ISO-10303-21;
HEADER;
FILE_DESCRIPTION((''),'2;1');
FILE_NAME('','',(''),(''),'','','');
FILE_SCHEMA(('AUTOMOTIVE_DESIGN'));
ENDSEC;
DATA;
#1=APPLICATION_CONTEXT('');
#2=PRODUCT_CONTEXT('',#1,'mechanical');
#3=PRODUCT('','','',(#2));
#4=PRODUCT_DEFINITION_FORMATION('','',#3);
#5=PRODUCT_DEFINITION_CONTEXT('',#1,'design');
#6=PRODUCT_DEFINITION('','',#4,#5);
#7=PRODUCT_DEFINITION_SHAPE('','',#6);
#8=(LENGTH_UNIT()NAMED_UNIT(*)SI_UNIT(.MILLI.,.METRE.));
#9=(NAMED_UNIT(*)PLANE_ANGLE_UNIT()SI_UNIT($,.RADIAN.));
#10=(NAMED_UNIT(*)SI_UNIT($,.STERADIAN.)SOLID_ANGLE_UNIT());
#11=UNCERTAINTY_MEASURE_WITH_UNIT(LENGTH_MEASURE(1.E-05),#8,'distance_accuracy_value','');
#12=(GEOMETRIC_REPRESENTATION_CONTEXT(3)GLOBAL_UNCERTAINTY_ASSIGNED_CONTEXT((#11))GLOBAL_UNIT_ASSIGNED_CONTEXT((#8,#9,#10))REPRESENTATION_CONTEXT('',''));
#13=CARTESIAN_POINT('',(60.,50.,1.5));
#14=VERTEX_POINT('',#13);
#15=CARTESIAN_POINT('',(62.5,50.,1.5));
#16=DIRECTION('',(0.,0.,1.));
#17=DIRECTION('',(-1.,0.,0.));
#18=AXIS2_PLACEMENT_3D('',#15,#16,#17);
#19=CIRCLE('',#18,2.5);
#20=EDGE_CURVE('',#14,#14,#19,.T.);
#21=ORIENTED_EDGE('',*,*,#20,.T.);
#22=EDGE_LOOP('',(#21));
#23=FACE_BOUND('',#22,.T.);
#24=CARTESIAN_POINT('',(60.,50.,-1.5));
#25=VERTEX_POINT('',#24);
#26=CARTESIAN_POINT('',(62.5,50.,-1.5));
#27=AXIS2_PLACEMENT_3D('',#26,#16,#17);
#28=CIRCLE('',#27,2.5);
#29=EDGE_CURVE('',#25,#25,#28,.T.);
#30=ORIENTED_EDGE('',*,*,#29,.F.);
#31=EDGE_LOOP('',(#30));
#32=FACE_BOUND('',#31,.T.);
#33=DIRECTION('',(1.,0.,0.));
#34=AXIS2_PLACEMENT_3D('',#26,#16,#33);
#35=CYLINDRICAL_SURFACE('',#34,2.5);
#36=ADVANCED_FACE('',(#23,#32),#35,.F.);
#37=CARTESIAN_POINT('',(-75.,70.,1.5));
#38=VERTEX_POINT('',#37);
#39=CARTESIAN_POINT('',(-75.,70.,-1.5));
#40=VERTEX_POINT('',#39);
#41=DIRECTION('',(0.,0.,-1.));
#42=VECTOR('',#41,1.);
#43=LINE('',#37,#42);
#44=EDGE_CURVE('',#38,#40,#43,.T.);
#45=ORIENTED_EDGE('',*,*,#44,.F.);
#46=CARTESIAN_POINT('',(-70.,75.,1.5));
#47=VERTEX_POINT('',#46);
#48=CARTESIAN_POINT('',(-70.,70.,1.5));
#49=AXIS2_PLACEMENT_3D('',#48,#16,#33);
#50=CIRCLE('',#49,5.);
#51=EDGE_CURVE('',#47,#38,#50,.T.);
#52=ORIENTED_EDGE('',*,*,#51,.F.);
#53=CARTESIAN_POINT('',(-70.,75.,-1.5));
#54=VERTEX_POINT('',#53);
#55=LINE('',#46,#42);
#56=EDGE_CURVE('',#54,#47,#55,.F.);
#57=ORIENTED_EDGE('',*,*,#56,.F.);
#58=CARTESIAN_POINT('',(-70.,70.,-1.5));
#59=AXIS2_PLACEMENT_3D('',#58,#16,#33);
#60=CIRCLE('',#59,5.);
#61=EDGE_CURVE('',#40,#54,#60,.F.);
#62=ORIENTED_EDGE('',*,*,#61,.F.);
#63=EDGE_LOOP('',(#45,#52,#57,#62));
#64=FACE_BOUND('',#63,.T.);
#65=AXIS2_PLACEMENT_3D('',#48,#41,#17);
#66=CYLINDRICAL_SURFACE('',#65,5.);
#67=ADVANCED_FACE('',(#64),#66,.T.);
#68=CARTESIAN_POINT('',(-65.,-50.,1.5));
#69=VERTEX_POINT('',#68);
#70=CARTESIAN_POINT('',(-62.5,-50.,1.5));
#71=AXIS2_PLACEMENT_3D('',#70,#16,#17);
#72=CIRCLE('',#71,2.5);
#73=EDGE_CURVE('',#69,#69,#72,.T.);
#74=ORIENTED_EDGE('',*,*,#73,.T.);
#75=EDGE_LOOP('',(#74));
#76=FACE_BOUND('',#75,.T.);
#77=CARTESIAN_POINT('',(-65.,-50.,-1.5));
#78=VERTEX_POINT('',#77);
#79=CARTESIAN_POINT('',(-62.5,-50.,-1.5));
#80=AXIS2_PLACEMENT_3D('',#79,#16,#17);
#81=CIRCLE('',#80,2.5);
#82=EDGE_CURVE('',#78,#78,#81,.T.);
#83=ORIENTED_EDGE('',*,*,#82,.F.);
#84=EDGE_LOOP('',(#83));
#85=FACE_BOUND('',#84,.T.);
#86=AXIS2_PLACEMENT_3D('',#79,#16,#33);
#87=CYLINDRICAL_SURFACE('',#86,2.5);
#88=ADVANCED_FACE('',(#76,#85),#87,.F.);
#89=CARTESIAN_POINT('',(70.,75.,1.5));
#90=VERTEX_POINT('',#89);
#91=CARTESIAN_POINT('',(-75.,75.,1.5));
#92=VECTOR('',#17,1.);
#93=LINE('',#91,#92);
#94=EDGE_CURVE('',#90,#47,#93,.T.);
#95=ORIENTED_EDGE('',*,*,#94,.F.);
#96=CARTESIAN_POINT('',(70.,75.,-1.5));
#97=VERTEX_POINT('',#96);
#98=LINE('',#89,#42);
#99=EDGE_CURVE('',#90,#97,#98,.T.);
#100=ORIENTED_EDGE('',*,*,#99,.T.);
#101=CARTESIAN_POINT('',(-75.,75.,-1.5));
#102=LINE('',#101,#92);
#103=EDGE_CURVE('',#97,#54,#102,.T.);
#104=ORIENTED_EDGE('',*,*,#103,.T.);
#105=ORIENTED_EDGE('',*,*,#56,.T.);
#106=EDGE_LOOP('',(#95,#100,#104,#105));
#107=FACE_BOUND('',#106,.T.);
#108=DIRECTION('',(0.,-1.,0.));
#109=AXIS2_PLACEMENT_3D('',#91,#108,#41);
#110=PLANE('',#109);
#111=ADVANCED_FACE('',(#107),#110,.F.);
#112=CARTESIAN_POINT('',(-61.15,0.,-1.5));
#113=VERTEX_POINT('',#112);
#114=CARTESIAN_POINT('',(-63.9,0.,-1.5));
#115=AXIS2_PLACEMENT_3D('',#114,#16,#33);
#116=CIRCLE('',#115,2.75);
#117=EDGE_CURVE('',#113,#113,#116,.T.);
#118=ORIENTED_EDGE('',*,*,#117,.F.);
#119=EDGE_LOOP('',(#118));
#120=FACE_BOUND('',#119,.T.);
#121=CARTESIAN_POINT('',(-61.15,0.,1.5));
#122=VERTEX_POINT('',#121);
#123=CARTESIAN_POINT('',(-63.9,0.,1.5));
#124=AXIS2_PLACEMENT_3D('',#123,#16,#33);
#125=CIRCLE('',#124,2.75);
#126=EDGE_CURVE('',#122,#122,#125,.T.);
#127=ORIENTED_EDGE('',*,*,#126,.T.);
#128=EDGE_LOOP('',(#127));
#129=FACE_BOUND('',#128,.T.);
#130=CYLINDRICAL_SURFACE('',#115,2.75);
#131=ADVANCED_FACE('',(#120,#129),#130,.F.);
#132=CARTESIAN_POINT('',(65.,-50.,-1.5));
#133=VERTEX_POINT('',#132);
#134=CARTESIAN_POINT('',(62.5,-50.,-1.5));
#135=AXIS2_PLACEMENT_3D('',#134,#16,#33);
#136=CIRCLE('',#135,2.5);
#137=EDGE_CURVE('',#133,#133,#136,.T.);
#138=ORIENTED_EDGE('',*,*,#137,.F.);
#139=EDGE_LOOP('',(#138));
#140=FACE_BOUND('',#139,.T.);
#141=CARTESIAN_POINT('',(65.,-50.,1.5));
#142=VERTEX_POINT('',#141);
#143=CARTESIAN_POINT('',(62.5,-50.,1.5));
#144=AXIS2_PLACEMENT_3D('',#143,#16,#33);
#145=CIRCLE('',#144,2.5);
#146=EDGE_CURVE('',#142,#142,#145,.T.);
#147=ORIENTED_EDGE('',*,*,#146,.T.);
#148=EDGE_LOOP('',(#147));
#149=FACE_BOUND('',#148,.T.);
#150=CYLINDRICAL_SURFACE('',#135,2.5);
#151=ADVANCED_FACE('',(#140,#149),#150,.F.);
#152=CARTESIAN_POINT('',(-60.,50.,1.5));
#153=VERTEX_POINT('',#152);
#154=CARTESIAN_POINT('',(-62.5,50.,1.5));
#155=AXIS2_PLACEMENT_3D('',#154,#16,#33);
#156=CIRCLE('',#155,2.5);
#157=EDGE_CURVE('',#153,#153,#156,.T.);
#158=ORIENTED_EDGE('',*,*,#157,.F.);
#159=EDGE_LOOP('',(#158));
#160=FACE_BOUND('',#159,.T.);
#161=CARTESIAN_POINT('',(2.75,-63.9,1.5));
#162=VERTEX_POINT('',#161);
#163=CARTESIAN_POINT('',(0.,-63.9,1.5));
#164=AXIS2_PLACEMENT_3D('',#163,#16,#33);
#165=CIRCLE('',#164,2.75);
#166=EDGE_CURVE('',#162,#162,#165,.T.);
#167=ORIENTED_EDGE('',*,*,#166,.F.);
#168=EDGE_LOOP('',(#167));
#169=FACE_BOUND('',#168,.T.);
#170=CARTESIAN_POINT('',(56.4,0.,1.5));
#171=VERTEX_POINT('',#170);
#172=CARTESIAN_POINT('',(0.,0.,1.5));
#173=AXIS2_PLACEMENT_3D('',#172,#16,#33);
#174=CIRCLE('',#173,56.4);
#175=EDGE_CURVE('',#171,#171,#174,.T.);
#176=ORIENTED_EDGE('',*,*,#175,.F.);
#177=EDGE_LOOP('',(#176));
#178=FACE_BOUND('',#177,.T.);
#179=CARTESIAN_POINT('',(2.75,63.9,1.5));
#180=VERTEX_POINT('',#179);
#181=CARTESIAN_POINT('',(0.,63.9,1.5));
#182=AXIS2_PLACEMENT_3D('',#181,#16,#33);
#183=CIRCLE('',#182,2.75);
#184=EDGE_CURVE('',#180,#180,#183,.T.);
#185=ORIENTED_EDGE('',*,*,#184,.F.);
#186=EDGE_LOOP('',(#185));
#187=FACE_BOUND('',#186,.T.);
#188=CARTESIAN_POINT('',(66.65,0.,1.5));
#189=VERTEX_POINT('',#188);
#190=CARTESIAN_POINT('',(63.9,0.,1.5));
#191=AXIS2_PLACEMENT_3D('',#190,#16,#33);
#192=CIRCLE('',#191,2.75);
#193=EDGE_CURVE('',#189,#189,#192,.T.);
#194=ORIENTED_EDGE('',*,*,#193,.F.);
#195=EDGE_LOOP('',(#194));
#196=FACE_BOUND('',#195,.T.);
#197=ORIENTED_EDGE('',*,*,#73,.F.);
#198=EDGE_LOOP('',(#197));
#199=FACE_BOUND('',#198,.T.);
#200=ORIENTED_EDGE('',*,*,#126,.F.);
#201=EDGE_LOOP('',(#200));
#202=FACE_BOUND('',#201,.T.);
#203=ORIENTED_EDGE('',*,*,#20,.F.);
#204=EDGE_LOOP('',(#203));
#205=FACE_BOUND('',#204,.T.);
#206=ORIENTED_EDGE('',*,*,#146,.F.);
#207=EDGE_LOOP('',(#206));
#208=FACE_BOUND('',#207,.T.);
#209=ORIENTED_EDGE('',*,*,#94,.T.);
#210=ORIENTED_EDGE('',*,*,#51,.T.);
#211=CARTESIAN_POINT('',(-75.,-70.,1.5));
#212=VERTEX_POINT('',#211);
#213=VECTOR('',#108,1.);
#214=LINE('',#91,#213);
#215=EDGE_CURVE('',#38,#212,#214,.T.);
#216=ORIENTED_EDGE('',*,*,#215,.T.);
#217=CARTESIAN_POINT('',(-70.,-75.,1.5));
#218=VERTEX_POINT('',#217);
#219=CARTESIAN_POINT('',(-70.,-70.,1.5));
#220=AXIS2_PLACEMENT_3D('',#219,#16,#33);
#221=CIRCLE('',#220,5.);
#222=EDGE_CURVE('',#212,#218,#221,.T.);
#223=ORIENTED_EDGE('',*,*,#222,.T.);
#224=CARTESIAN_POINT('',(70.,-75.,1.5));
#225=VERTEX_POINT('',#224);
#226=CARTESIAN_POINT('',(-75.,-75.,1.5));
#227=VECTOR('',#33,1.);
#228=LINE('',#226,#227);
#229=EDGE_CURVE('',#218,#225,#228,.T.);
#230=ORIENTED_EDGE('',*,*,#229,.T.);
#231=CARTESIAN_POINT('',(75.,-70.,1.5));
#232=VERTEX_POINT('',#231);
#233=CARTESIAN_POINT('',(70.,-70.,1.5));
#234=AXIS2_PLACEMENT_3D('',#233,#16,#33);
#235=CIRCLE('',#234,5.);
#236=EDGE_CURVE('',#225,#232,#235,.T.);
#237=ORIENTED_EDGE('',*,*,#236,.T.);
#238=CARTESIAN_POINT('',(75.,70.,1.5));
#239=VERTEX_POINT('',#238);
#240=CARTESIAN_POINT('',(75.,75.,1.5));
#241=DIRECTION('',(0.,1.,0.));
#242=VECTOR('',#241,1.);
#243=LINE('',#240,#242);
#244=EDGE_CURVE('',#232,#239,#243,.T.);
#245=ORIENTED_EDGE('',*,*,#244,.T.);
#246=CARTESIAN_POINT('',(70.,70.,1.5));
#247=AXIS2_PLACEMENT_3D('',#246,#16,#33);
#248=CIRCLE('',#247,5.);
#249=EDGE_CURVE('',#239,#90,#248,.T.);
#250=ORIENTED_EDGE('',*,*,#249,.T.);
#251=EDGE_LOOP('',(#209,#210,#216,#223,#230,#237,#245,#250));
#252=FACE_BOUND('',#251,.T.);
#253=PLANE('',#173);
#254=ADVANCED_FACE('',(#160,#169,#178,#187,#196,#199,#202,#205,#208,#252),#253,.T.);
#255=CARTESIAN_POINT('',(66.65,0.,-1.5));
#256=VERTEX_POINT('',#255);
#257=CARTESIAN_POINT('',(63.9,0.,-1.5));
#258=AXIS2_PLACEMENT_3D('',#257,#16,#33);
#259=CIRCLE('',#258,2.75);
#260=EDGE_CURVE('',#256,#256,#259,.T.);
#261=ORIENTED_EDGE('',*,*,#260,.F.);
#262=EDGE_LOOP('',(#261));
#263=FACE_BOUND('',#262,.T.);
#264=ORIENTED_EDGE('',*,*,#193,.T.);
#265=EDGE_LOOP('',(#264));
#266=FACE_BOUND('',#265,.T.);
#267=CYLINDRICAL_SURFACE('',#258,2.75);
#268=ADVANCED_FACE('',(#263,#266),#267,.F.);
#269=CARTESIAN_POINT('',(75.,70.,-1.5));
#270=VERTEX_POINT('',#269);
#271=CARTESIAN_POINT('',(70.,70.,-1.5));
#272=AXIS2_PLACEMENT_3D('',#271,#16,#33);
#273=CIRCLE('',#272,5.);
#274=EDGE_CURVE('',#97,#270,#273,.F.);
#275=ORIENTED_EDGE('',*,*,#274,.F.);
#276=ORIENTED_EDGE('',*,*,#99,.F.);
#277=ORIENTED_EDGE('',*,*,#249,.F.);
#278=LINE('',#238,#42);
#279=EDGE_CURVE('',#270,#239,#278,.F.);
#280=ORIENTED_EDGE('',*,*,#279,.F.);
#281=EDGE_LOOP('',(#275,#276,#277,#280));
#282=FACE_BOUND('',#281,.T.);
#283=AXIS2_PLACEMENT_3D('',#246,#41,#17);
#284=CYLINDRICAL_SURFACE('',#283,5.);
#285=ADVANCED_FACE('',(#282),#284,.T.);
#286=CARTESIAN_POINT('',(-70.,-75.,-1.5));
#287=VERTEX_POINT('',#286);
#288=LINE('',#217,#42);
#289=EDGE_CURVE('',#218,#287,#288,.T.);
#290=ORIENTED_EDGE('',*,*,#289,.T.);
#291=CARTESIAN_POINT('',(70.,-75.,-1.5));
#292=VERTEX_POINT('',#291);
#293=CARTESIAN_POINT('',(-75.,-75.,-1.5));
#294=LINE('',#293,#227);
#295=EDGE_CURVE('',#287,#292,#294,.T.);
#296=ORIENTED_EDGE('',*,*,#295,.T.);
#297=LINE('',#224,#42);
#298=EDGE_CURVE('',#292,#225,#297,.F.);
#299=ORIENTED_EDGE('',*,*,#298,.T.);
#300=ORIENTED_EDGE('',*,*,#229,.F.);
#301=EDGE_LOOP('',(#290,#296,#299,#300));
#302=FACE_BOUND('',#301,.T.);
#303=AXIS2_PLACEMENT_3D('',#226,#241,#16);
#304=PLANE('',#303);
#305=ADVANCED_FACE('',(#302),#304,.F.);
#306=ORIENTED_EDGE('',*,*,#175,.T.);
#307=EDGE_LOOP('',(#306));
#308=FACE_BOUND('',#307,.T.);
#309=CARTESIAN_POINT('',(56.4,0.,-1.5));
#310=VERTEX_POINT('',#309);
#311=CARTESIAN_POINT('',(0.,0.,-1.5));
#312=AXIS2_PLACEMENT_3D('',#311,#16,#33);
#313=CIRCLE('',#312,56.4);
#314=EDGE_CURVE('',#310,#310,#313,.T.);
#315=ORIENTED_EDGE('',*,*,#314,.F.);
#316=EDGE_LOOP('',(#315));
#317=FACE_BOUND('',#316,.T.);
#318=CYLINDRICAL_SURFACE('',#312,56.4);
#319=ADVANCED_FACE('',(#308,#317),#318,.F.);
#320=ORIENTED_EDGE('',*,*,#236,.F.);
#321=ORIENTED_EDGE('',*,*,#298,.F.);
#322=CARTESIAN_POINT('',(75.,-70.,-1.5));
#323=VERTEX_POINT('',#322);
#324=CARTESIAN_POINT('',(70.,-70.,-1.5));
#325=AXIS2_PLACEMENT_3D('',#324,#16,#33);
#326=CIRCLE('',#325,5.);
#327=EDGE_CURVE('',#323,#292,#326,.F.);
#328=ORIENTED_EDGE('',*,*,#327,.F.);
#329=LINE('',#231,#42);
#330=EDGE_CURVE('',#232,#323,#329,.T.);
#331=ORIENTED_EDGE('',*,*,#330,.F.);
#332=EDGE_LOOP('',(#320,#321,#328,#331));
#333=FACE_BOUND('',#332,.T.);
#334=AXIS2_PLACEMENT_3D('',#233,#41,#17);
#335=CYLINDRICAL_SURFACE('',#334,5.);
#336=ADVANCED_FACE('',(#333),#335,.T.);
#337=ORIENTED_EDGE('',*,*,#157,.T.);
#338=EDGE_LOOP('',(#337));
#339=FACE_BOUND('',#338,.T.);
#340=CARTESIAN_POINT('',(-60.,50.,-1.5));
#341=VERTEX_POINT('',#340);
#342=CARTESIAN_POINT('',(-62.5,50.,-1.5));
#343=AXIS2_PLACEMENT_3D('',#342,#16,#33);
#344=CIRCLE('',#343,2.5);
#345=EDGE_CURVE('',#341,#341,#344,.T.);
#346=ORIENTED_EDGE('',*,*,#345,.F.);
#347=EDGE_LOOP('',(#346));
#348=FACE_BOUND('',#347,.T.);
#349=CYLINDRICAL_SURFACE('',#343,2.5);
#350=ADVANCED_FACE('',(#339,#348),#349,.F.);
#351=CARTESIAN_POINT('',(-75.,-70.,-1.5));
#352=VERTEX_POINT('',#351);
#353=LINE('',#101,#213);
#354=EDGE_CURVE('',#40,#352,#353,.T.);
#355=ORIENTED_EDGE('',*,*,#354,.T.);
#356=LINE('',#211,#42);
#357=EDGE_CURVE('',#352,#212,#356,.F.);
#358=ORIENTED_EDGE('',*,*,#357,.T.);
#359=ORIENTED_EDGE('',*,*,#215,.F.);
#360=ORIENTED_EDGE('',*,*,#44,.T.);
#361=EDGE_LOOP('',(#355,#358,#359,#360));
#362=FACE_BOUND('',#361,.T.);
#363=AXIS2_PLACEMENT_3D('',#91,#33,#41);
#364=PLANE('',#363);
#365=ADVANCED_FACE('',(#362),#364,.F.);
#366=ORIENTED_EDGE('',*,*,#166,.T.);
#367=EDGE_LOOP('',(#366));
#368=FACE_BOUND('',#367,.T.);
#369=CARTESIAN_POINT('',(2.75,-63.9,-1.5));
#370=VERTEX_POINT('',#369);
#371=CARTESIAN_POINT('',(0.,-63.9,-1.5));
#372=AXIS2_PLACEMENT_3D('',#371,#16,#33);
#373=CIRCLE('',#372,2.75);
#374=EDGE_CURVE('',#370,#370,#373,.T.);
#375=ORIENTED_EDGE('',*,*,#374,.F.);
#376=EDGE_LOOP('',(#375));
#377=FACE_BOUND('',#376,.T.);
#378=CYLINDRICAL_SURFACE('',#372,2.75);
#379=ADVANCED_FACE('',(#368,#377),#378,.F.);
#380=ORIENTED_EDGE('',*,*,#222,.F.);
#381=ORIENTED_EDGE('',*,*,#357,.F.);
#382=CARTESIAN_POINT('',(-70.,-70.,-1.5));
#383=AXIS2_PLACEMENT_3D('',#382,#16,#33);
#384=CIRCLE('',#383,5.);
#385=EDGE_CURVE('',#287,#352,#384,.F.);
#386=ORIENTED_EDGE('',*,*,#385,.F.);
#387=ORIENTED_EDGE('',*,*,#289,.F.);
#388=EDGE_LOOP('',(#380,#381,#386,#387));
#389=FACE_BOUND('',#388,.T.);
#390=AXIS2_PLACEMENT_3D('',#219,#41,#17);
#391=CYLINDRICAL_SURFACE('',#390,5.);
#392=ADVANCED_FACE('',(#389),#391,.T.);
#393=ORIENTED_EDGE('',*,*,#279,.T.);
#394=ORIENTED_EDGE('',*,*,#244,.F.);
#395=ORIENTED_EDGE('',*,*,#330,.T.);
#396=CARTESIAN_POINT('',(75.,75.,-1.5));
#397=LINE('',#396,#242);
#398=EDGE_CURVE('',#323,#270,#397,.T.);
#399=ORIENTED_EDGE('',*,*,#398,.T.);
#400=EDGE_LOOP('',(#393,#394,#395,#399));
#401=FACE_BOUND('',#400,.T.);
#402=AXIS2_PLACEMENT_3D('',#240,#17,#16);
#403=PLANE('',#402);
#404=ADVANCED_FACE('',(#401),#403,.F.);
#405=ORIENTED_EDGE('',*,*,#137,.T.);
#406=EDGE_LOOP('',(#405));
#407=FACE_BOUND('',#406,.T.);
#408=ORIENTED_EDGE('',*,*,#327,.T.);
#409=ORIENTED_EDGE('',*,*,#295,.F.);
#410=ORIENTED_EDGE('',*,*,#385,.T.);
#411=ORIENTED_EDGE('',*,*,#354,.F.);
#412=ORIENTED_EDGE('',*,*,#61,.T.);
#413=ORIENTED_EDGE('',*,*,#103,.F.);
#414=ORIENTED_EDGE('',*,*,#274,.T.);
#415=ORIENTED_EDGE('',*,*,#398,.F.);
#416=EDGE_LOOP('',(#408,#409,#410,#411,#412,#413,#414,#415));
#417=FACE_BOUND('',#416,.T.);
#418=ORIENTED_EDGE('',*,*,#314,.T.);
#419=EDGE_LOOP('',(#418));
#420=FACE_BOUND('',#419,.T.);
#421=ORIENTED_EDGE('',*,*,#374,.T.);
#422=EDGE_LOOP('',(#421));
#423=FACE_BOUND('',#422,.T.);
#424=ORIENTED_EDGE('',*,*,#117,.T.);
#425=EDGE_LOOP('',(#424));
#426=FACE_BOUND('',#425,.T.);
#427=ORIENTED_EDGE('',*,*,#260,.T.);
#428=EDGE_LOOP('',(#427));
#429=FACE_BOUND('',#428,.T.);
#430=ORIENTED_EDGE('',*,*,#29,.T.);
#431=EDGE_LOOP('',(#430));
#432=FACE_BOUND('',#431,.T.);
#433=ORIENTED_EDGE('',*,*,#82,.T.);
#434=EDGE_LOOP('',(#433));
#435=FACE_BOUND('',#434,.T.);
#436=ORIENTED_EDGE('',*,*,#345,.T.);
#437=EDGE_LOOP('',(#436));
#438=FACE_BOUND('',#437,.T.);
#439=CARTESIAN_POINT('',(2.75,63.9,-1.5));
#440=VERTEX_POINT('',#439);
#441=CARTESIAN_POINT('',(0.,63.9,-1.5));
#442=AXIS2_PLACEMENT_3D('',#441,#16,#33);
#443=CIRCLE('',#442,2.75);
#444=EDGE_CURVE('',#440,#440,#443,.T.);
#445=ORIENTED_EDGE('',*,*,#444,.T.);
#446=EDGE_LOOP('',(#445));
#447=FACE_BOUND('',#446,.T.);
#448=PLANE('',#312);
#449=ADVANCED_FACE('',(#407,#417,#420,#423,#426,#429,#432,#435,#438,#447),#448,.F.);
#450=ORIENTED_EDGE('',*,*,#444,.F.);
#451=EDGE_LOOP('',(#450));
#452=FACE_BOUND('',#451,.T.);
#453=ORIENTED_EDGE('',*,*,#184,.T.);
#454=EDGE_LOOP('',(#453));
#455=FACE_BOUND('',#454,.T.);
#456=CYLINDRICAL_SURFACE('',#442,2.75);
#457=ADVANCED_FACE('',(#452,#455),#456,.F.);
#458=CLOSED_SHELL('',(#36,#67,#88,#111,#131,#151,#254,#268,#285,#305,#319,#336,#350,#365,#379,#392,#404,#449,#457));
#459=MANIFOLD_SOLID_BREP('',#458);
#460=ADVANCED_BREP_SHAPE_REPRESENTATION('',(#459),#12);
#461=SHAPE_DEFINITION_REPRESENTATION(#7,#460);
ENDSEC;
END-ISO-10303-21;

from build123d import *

# Parameters (mm, degrees)
SKETCH1_W               = 150
SKETCH1_H               = 150
BOSS_EXTRUDE1_DEPTH     = 1.5
CUT_EXTRUDE1_DEPTH      = 107.076623249
CUT_EXTRUDE1_DEPTH_BACK = 107.076623249
SKETCH2_R               = 2.75
CUT_EXTRUDE2_DEPTH      = 107.076623249
CUT_EXTRUDE2_DEPTH_BACK = 107.076623249
CUT_EXTRUDE3_DEPTH      = 107.076623249
CUT_EXTRUDE3_DEPTH_BACK = 107.076623249
SKETCH4_R               = 2.5
FILLET1_R               = 5


with BuildPart() as part:
    # Sketch1 → Boss-Extrude1 (new, symmetric)
    with BuildSketch(Plane.XY):
        Rectangle(SKETCH1_W, SKETCH1_H)
    extrude(amount=BOSS_EXTRUDE1_DEPTH, both=True)

    # Sketch2 → Cut-Extrude1 (cut, two sides: drawn at the far end of the back side and taken through both)
    with BuildSketch(Plane.XY.offset(-CUT_EXTRUDE1_DEPTH_BACK)):
        with Locations((0, 63.9)):
            Circle(SKETCH2_R)
        with Locations((63.9, 0)):
            Circle(SKETCH2_R)
        with Locations((0, -63.9)):
            Circle(SKETCH2_R)
        with Locations((-63.9, 0)):
            Circle(SKETCH2_R)
    extrude(amount=CUT_EXTRUDE1_DEPTH + CUT_EXTRUDE1_DEPTH_BACK, mode=Mode.SUBTRACT)

    # Sketch3 → Cut-Extrude2 (cut, two sides: drawn at the far end of the back side and taken through both)
    with BuildSketch(Plane.XY.offset(-CUT_EXTRUDE2_DEPTH_BACK)):
        with BuildLine():
            ThreePointArc((-56, -6.705221846), (0, -56.4), (56, -6.705221846))
            ThreePointArc((56, -6.705221846), (0, 56.4), (-56, -6.705221846))
        make_face()
    extrude(amount=CUT_EXTRUDE2_DEPTH + CUT_EXTRUDE2_DEPTH_BACK, mode=Mode.SUBTRACT)

    # Sketch4 → Cut-Extrude3 (cut, two sides: drawn at the far end of the back side and taken through both)
    with BuildSketch(Plane.XY.offset(-CUT_EXTRUDE3_DEPTH_BACK)):
        with Locations((-62.5, 50)):
            Circle(SKETCH4_R)
        with Locations(Location((-62.5, -50, 0), (0, 0, 180))):
            Circle(SKETCH4_R)
        with Locations((62.5, -50)):
            Circle(SKETCH4_R)
        with Locations(Location((62.5, 50, 0), (0, 0, 180))):
            Circle(SKETCH4_R)
    extrude(amount=CUT_EXTRUDE3_DEPTH + CUT_EXTRUDE3_DEPTH_BACK, mode=Mode.SUBTRACT)

    # Fillet1
    fillet1_edges = [part.edges().sort_by_distance(p)[0] for p in [
        (75, -75, 0),
        (-75, -75, 0),
        (-75, 75, 0),
        (75, 75, 0),
    ]]
    fillet(fillet1_edges, radius=FILLET1_R)


solid = part.part
